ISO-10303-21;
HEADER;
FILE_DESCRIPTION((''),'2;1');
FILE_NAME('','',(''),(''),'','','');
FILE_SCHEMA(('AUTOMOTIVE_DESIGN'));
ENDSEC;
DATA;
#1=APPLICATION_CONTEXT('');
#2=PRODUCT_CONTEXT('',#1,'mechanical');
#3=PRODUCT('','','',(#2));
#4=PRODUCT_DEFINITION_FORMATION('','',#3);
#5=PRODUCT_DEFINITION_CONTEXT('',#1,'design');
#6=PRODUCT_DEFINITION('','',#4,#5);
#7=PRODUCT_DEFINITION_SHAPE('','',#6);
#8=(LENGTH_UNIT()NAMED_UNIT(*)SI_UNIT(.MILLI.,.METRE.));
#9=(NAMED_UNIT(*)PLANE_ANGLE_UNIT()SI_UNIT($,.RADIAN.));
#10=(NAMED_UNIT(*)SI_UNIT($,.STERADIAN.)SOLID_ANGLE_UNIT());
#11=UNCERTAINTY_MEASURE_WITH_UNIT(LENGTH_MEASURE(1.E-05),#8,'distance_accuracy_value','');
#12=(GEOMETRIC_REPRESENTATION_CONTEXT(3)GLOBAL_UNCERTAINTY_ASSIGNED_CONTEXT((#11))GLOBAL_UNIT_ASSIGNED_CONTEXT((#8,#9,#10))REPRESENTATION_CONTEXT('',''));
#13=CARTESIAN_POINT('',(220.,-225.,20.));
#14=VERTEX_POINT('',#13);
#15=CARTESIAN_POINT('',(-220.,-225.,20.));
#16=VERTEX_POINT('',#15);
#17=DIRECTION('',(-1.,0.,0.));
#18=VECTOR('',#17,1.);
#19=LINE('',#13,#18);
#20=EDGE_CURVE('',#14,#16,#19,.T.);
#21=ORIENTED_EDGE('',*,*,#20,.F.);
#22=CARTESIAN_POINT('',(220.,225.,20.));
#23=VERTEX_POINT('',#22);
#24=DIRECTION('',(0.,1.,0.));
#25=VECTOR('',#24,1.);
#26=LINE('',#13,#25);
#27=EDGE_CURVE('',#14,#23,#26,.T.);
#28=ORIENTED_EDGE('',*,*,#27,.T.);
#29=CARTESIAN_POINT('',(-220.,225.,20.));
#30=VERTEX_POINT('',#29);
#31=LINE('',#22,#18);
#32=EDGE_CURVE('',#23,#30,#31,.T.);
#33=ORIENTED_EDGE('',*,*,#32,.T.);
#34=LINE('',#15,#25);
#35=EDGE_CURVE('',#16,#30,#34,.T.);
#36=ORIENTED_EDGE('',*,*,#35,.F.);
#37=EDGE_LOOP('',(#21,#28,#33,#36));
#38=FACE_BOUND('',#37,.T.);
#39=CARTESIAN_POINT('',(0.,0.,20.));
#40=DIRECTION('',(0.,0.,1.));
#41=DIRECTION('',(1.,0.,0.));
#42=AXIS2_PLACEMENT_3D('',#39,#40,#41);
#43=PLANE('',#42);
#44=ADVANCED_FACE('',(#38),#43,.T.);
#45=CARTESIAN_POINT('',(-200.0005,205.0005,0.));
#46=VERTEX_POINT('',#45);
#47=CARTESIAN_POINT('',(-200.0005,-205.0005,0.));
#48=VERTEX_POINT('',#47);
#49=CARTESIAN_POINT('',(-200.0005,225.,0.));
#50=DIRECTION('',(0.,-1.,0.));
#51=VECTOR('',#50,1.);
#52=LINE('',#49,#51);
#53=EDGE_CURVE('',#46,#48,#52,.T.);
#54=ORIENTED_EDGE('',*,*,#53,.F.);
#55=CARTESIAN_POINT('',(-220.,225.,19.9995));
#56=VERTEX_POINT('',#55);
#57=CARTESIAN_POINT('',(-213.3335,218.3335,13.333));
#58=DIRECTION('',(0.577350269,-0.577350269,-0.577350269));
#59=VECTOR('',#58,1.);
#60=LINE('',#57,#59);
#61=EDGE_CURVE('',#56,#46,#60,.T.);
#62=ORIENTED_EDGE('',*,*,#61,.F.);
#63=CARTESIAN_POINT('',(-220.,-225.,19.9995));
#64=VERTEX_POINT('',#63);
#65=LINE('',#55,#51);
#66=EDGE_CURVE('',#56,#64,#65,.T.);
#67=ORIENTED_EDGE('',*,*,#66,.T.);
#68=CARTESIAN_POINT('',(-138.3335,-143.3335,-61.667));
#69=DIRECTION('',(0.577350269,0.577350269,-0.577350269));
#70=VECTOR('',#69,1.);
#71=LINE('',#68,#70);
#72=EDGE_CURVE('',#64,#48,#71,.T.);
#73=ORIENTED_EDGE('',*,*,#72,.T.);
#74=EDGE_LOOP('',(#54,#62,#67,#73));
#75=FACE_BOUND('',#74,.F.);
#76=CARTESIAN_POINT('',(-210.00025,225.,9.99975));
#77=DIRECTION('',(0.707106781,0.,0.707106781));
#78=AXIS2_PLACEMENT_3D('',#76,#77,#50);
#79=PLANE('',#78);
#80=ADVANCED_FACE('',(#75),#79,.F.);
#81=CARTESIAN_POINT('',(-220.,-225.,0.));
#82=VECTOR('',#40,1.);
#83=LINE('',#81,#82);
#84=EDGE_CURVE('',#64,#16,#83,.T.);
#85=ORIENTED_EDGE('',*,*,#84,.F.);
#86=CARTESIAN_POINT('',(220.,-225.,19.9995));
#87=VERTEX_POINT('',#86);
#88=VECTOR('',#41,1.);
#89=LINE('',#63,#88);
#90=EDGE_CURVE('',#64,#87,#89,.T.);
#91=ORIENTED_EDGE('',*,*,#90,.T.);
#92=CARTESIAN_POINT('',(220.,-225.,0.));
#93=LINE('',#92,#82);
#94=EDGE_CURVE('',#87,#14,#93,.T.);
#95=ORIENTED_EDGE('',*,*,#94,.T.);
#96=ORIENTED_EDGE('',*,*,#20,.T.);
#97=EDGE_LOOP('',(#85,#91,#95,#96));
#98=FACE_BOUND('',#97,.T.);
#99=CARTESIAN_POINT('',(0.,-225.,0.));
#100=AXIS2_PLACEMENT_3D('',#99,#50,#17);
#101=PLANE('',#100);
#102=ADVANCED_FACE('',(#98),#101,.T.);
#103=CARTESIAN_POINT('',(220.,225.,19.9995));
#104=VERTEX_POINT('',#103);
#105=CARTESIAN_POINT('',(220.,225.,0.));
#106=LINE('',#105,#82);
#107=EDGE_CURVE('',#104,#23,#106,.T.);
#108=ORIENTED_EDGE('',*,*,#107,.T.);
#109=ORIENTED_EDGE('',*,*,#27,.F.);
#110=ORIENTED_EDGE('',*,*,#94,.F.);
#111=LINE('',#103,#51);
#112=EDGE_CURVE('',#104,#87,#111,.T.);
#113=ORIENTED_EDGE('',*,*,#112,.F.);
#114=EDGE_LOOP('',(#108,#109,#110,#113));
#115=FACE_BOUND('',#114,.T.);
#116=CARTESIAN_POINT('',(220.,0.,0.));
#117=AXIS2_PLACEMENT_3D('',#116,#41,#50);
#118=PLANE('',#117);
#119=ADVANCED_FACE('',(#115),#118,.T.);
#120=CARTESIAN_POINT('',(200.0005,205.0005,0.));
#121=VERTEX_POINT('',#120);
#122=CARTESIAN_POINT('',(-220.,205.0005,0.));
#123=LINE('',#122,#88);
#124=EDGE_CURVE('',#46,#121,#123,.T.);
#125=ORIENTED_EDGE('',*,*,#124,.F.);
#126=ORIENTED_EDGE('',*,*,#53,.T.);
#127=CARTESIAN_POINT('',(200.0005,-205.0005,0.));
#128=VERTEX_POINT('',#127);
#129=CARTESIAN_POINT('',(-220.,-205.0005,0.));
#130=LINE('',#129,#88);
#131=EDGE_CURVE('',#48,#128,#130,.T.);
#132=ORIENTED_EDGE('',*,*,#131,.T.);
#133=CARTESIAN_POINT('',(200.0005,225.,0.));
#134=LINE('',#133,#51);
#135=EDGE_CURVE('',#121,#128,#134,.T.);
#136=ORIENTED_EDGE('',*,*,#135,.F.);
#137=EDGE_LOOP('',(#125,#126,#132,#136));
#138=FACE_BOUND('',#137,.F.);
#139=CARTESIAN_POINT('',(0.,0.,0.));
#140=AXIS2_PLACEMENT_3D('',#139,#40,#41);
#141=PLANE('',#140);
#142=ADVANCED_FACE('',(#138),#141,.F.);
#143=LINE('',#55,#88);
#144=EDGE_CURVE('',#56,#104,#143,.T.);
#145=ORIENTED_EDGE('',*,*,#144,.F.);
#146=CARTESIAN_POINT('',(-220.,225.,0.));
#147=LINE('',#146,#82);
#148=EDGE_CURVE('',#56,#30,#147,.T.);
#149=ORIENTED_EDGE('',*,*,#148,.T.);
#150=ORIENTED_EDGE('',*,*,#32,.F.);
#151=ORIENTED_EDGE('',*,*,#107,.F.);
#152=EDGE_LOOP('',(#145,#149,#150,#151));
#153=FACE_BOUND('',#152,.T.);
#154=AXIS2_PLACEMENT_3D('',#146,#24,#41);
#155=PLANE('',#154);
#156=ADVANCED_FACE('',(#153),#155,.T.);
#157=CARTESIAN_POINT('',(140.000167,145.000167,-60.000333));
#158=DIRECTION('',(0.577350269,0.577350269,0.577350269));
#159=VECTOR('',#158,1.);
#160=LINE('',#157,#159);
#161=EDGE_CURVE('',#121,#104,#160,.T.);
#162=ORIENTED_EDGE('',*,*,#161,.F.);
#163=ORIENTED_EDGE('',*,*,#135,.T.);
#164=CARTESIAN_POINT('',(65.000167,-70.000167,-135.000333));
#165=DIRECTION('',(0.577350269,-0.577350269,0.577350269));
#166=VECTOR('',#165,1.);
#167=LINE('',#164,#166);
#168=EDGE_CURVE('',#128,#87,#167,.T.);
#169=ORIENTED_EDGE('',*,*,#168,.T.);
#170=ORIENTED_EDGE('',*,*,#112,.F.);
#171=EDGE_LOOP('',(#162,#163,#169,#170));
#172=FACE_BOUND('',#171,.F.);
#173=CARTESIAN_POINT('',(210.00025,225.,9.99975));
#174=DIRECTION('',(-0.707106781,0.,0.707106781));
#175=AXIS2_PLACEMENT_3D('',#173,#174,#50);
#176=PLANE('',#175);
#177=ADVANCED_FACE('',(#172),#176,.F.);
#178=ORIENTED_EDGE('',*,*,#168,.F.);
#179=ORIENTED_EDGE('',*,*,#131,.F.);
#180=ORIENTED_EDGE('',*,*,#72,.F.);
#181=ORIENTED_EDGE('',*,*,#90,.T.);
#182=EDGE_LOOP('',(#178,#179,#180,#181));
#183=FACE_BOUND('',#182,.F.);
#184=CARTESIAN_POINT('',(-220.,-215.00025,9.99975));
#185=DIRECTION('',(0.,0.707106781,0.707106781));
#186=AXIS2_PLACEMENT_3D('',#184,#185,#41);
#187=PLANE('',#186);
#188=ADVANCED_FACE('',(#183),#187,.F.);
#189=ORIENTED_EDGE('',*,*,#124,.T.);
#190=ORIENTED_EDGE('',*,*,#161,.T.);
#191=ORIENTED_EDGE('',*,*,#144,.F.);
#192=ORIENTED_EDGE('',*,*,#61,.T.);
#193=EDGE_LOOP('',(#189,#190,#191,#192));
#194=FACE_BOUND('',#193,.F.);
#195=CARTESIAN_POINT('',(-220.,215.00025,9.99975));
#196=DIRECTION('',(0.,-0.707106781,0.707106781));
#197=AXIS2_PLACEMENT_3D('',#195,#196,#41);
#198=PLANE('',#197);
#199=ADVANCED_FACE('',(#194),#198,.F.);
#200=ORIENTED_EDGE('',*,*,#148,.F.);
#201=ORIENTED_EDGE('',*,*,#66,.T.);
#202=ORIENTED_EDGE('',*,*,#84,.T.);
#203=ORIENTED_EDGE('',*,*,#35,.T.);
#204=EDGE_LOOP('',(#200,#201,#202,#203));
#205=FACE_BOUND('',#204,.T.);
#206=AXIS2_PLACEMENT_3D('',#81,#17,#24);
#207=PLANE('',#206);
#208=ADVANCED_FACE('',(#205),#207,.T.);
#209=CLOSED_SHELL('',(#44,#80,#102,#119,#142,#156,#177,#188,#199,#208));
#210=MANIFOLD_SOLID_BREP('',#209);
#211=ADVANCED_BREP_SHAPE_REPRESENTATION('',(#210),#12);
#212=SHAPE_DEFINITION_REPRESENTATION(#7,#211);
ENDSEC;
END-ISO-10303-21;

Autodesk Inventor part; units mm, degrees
ref_plane "YZ Plane" through (0, 0, 0) normal (1, 0, 0) x (0, 1, 0)
ref_plane "XZ Plane" through (0, 0, 0) normal (0, 1, 0) x (-1, 0, 0)
ref_plane "XY Plane" through (0, 0, 0) normal (0, 0, 1) x (1, 0, 0)
sketch "Skizze1" plane through (0, 0, 0) normal (0, 0, 1) x (1, 0, 0)
  line L0 (0, -315) -> (0, 315) projected
  line L1 (-308, 0) -> (308, 0) projected
  line L2 (-220, 225) -> (220, 225)
  line L3 (220, 225) -> (220, -225)
  line L4 (220, -225) -> (-220, -225)
  line L5 (-220, -225) -> (-220, 225)
  point P0 (0, 0)
  dimension "d0" = 440
  dimension "d1" = 450
extrude "Extrusion1" add sketch "Skizze1" along normal blind 20
chamfer "Fase1" distance 20 angle 45 4 edges at (-220, 0, 0) (0, 225, 0) (220, 0, 0) (0, -225, 0)
properties part number "Wand1"
